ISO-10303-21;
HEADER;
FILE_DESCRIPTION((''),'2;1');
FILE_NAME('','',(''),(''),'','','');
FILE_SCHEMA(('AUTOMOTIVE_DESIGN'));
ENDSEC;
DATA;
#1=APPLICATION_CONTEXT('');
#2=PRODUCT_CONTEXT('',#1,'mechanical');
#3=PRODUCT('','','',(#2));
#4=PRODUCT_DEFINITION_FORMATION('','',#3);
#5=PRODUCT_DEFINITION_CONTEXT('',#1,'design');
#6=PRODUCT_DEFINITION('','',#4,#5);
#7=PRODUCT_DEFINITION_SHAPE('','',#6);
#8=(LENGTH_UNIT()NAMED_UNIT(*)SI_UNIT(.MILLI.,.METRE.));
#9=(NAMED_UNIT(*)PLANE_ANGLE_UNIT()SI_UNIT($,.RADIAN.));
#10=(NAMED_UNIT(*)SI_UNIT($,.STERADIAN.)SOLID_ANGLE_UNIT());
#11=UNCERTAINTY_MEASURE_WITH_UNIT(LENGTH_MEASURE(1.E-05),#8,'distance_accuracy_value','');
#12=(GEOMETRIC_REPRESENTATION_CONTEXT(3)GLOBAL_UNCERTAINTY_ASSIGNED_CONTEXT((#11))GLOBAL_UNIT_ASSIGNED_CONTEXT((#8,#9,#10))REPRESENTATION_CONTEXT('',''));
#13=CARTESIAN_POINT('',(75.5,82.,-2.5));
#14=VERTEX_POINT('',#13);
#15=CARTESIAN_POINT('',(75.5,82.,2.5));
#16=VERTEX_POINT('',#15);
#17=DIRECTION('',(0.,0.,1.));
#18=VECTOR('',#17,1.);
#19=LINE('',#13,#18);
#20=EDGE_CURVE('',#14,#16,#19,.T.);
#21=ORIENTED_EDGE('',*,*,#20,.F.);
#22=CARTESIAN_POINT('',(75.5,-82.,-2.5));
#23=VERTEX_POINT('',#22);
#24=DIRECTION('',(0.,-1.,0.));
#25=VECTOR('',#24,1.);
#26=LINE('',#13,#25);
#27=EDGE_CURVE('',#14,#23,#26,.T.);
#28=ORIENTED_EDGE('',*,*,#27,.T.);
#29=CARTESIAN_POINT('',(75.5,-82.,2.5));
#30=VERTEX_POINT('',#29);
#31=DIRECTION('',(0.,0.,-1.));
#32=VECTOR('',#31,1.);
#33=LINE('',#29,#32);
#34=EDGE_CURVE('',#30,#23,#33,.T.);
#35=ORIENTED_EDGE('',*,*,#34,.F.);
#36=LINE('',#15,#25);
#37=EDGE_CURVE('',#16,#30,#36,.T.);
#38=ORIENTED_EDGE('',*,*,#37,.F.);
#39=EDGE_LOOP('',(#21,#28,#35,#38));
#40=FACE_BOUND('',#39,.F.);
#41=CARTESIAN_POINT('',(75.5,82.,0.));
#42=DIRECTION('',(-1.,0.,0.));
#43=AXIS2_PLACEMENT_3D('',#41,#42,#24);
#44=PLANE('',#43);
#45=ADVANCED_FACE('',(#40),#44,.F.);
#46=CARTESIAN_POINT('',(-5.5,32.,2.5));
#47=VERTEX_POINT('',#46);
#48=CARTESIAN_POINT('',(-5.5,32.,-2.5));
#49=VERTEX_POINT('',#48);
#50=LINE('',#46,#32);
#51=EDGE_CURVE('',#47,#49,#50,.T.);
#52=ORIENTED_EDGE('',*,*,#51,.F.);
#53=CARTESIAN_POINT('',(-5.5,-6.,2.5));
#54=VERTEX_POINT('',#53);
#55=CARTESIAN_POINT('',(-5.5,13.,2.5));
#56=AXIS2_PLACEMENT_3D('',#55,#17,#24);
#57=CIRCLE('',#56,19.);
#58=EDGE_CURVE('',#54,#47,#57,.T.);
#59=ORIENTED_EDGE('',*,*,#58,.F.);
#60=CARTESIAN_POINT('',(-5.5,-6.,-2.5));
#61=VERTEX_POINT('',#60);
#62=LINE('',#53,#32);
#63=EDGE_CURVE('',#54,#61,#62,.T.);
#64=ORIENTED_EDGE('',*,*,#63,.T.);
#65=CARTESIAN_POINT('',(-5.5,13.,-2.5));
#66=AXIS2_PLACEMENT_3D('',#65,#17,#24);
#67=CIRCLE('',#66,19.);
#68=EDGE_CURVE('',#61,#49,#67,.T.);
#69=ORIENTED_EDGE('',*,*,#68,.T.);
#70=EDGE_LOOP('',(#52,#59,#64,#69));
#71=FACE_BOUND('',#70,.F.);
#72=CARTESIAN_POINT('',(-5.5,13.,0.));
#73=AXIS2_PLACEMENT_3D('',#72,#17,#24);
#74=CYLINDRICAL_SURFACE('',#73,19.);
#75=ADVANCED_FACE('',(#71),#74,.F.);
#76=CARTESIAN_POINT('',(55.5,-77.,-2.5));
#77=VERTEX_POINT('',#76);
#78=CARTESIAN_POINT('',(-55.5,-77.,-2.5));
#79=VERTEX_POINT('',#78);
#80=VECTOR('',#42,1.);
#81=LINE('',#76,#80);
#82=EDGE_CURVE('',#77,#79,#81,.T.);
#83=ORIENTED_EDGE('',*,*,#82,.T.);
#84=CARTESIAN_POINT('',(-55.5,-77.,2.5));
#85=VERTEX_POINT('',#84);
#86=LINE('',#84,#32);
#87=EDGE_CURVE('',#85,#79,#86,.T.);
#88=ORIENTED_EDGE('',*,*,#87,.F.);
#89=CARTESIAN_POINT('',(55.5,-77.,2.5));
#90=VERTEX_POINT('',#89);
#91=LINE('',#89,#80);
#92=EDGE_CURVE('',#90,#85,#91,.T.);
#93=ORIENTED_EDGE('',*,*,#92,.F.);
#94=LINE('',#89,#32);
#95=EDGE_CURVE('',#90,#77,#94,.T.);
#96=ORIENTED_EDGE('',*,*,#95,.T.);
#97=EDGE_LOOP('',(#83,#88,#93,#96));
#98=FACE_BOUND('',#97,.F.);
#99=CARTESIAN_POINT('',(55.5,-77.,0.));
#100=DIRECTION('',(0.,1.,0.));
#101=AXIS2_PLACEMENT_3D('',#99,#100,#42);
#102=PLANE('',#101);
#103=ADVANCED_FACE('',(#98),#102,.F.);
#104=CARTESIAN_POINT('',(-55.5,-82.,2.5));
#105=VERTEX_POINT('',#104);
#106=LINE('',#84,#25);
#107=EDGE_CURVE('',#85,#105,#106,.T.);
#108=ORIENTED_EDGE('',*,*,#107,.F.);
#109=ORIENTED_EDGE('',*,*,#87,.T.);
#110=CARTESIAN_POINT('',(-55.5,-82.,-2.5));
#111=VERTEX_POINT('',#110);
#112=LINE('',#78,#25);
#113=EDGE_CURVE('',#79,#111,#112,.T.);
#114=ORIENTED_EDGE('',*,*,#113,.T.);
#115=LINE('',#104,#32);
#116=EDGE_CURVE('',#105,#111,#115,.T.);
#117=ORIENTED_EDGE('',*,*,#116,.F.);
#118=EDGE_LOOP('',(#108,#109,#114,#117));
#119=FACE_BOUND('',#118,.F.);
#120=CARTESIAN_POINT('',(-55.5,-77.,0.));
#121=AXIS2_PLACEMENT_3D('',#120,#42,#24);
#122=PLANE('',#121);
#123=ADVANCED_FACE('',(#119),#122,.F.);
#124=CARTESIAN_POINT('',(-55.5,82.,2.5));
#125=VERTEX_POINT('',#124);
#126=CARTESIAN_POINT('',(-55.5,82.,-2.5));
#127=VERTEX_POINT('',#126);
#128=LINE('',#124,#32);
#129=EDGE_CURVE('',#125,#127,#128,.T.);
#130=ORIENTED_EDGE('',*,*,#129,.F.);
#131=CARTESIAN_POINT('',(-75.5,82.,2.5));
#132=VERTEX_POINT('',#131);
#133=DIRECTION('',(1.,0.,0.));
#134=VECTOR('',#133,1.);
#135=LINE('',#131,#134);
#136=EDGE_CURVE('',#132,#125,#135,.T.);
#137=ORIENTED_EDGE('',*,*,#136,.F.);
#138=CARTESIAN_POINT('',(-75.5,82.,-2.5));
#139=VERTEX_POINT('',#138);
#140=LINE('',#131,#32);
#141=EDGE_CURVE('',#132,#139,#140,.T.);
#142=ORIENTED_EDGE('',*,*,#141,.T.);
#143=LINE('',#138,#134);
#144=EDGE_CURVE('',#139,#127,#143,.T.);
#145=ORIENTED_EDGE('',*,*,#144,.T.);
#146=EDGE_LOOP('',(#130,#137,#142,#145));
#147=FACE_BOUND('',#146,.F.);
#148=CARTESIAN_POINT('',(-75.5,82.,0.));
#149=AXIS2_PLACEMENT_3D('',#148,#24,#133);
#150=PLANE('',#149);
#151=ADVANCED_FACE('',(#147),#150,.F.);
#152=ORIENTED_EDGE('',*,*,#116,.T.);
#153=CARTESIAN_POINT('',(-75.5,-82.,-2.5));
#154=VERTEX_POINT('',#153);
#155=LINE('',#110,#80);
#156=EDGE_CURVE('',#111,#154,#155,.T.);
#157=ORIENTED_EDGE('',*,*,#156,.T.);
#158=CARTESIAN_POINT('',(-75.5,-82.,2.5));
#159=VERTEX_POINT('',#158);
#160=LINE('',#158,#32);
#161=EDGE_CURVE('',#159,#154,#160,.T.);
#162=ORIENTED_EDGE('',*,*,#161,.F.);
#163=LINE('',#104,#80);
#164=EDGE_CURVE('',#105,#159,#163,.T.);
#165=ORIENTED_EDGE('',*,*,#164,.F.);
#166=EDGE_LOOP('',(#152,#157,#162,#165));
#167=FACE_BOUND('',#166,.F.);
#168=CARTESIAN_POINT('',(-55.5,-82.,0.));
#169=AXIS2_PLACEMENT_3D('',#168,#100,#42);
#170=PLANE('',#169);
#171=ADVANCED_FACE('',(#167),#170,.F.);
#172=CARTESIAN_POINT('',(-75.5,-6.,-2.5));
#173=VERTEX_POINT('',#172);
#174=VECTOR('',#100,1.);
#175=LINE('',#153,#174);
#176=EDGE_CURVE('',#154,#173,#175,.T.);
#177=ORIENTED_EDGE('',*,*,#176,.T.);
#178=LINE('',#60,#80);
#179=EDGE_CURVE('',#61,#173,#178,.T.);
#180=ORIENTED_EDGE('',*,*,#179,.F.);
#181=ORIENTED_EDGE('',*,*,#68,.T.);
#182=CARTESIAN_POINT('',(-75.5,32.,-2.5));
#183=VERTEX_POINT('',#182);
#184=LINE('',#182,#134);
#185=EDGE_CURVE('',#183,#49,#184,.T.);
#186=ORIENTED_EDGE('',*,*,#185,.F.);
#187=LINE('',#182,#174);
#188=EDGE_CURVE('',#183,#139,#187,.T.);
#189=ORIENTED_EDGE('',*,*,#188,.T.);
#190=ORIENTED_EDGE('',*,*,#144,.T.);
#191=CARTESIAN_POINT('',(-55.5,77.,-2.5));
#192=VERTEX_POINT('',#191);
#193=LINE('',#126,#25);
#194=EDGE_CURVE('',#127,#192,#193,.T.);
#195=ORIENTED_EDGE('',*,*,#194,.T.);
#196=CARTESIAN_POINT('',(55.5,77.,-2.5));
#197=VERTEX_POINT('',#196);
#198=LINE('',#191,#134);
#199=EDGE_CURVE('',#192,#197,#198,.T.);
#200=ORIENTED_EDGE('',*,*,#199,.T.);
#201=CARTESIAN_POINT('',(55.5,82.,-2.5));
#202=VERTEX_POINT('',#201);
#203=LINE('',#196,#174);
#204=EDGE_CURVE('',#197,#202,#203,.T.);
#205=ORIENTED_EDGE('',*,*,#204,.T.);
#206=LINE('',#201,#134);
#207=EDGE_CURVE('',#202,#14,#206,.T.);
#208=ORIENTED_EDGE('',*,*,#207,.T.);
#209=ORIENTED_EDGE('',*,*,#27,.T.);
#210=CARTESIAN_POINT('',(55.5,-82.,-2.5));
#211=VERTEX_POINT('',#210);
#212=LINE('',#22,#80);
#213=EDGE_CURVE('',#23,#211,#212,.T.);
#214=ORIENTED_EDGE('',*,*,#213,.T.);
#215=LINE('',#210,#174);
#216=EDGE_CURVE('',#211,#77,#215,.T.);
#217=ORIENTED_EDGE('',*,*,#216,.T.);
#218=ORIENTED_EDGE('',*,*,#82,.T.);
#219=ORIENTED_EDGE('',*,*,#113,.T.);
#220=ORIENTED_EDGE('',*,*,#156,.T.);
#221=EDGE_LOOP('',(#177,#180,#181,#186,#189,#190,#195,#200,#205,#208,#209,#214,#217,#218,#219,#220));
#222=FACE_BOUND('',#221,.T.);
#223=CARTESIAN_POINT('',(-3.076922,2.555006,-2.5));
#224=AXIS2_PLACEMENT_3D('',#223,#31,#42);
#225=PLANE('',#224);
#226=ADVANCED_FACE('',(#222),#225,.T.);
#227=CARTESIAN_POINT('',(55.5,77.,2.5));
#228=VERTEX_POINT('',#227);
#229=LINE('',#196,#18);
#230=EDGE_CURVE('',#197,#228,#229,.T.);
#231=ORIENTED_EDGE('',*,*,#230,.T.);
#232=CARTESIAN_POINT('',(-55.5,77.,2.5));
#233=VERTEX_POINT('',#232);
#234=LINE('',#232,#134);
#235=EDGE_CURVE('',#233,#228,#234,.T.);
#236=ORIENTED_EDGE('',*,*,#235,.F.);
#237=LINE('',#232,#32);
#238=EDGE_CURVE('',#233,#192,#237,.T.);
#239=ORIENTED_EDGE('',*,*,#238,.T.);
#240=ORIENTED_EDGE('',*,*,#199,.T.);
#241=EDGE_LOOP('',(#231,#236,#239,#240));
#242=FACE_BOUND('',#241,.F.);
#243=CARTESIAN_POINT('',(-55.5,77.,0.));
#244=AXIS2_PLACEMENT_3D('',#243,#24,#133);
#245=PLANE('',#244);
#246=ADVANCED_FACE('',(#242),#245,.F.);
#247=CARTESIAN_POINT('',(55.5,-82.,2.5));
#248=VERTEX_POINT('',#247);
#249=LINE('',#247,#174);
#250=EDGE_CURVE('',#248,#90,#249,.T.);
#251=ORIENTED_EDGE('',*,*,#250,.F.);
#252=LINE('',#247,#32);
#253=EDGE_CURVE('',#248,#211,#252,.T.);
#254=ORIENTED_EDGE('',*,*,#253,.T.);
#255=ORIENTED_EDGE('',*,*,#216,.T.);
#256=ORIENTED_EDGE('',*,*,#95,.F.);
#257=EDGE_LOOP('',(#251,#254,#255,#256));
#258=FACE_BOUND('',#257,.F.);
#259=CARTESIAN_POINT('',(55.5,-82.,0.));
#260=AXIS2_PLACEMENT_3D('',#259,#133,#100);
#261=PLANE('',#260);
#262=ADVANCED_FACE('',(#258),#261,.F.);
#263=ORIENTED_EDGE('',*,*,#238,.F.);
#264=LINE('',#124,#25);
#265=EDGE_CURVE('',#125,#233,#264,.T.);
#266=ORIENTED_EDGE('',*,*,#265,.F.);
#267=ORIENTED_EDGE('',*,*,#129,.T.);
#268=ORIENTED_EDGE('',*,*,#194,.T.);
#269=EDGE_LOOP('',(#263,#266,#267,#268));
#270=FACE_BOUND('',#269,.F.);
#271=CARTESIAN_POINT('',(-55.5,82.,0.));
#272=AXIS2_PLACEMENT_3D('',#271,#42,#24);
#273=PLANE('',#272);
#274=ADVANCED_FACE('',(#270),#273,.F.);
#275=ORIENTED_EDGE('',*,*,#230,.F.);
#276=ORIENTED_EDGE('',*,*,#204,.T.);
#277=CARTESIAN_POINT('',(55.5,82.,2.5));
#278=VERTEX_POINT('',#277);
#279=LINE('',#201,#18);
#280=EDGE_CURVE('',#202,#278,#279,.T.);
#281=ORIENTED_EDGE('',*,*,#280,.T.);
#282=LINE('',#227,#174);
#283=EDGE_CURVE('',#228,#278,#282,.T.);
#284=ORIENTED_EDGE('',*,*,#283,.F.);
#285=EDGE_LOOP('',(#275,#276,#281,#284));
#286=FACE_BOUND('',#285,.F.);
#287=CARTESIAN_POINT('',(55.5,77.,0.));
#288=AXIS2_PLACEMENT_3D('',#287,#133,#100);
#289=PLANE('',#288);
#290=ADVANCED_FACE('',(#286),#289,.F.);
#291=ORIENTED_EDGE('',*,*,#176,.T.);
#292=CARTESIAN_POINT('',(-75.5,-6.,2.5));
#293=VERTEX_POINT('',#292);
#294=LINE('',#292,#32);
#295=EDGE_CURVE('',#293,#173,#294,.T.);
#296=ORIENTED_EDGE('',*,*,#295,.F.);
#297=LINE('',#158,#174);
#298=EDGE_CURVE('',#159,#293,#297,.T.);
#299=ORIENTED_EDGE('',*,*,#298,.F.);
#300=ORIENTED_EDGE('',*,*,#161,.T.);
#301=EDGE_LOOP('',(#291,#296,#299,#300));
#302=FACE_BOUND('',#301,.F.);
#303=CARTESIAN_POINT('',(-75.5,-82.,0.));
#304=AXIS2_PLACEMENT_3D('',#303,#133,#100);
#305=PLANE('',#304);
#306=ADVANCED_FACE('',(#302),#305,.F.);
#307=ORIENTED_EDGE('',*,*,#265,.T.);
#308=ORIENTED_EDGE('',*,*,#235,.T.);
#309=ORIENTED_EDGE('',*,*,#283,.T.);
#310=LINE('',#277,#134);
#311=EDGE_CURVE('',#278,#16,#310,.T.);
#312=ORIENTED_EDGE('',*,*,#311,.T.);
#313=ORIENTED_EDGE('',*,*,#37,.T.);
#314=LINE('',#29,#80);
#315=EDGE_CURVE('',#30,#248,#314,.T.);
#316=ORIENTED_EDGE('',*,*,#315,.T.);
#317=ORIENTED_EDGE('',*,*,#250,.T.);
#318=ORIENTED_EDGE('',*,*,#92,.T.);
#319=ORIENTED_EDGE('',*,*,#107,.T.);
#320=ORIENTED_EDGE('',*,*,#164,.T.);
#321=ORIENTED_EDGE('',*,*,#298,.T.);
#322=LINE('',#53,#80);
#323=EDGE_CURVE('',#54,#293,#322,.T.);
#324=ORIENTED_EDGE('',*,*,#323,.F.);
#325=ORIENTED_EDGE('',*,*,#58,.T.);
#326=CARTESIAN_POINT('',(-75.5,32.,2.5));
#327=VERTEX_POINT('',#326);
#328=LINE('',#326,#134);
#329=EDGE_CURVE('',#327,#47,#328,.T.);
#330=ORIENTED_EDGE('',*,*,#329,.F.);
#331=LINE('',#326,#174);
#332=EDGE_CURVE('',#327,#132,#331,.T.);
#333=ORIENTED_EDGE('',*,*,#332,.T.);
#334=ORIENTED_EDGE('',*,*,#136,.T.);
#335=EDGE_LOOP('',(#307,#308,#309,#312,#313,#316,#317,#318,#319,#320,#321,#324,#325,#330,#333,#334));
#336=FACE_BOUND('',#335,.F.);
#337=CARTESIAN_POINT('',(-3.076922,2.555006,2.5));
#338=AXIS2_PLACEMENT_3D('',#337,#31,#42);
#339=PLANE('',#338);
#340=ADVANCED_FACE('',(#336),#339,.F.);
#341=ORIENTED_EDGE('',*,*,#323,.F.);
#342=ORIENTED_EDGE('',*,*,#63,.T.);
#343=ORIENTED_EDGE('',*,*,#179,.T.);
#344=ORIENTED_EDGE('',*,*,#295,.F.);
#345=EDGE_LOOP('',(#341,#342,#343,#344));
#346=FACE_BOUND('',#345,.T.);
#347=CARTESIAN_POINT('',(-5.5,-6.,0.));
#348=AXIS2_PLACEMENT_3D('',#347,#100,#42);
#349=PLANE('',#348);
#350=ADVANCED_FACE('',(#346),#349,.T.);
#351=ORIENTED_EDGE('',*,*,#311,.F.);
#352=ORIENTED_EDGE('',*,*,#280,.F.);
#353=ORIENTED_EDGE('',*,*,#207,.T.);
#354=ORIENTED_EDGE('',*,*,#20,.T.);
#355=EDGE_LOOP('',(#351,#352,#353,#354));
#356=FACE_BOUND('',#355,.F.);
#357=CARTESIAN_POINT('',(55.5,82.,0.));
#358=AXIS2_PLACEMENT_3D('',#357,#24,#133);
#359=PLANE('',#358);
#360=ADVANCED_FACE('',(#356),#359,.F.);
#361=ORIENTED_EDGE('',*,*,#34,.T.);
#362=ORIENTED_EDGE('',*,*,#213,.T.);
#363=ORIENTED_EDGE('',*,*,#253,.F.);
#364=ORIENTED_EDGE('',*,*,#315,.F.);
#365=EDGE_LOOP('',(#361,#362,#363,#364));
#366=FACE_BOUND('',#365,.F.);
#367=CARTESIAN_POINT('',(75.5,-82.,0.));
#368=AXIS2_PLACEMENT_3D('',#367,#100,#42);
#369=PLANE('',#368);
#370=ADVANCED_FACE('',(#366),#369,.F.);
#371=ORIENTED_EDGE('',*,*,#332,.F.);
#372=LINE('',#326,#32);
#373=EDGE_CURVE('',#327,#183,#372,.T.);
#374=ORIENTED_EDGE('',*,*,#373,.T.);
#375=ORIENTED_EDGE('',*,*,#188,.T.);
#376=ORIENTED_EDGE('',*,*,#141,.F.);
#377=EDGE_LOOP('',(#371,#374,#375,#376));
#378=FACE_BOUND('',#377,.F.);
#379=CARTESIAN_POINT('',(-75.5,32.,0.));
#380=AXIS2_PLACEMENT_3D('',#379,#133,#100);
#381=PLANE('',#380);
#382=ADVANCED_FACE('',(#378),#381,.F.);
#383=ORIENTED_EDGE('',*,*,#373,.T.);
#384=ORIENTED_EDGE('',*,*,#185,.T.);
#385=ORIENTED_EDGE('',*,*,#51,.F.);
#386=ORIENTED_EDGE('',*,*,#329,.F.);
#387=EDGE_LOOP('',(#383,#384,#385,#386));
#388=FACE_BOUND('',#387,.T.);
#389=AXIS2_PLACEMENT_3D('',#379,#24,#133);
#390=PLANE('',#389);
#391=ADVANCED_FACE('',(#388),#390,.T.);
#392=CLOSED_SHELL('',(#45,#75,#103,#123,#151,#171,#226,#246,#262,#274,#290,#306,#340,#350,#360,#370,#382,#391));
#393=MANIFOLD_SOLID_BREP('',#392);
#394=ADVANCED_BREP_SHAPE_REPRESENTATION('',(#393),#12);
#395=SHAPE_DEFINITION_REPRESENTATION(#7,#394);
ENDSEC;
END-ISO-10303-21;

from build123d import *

# Parameters (mm, degrees)
PAD_DEPTH = 2.5


with BuildPart() as part:
    # Sketch → Pad (new body, symmetric)
    with BuildSketch(Plane.XY):
        with BuildLine():
            Line((75.5, 82), (75.5, -82))
            Line((75.5, -82), (55.5, -82))
            Line((55.5, -82), (55.5, -77))
            Line((55.5, -77), (-55.5, -77))
            Line((-55.5, -77), (-55.5, -82))
            Line((-55.5, -82), (-75.5, -82))
            Line((-75.5, -82), (-75.5, -6))
            Line((-5.5, -6), (-75.5, -6))
            ThreePointArc((-5.5, -6), (13.5, 13), (-5.5, 32))
            Line((-75.5, 32), (-5.5, 32))
            Line((-75.5, 32), (-75.5, 82))
            Line((-75.5, 82), (-55.5, 82))
            Line((-55.5, 82), (-55.5, 77))
            Line((-55.5, 77), (55.5, 77))
            Line((55.5, 77), (55.5, 82))
            Line((55.5, 82), (75.5, 82))
        make_face()
    extrude(amount=PAD_DEPTH, both=True)


solid = part.part
